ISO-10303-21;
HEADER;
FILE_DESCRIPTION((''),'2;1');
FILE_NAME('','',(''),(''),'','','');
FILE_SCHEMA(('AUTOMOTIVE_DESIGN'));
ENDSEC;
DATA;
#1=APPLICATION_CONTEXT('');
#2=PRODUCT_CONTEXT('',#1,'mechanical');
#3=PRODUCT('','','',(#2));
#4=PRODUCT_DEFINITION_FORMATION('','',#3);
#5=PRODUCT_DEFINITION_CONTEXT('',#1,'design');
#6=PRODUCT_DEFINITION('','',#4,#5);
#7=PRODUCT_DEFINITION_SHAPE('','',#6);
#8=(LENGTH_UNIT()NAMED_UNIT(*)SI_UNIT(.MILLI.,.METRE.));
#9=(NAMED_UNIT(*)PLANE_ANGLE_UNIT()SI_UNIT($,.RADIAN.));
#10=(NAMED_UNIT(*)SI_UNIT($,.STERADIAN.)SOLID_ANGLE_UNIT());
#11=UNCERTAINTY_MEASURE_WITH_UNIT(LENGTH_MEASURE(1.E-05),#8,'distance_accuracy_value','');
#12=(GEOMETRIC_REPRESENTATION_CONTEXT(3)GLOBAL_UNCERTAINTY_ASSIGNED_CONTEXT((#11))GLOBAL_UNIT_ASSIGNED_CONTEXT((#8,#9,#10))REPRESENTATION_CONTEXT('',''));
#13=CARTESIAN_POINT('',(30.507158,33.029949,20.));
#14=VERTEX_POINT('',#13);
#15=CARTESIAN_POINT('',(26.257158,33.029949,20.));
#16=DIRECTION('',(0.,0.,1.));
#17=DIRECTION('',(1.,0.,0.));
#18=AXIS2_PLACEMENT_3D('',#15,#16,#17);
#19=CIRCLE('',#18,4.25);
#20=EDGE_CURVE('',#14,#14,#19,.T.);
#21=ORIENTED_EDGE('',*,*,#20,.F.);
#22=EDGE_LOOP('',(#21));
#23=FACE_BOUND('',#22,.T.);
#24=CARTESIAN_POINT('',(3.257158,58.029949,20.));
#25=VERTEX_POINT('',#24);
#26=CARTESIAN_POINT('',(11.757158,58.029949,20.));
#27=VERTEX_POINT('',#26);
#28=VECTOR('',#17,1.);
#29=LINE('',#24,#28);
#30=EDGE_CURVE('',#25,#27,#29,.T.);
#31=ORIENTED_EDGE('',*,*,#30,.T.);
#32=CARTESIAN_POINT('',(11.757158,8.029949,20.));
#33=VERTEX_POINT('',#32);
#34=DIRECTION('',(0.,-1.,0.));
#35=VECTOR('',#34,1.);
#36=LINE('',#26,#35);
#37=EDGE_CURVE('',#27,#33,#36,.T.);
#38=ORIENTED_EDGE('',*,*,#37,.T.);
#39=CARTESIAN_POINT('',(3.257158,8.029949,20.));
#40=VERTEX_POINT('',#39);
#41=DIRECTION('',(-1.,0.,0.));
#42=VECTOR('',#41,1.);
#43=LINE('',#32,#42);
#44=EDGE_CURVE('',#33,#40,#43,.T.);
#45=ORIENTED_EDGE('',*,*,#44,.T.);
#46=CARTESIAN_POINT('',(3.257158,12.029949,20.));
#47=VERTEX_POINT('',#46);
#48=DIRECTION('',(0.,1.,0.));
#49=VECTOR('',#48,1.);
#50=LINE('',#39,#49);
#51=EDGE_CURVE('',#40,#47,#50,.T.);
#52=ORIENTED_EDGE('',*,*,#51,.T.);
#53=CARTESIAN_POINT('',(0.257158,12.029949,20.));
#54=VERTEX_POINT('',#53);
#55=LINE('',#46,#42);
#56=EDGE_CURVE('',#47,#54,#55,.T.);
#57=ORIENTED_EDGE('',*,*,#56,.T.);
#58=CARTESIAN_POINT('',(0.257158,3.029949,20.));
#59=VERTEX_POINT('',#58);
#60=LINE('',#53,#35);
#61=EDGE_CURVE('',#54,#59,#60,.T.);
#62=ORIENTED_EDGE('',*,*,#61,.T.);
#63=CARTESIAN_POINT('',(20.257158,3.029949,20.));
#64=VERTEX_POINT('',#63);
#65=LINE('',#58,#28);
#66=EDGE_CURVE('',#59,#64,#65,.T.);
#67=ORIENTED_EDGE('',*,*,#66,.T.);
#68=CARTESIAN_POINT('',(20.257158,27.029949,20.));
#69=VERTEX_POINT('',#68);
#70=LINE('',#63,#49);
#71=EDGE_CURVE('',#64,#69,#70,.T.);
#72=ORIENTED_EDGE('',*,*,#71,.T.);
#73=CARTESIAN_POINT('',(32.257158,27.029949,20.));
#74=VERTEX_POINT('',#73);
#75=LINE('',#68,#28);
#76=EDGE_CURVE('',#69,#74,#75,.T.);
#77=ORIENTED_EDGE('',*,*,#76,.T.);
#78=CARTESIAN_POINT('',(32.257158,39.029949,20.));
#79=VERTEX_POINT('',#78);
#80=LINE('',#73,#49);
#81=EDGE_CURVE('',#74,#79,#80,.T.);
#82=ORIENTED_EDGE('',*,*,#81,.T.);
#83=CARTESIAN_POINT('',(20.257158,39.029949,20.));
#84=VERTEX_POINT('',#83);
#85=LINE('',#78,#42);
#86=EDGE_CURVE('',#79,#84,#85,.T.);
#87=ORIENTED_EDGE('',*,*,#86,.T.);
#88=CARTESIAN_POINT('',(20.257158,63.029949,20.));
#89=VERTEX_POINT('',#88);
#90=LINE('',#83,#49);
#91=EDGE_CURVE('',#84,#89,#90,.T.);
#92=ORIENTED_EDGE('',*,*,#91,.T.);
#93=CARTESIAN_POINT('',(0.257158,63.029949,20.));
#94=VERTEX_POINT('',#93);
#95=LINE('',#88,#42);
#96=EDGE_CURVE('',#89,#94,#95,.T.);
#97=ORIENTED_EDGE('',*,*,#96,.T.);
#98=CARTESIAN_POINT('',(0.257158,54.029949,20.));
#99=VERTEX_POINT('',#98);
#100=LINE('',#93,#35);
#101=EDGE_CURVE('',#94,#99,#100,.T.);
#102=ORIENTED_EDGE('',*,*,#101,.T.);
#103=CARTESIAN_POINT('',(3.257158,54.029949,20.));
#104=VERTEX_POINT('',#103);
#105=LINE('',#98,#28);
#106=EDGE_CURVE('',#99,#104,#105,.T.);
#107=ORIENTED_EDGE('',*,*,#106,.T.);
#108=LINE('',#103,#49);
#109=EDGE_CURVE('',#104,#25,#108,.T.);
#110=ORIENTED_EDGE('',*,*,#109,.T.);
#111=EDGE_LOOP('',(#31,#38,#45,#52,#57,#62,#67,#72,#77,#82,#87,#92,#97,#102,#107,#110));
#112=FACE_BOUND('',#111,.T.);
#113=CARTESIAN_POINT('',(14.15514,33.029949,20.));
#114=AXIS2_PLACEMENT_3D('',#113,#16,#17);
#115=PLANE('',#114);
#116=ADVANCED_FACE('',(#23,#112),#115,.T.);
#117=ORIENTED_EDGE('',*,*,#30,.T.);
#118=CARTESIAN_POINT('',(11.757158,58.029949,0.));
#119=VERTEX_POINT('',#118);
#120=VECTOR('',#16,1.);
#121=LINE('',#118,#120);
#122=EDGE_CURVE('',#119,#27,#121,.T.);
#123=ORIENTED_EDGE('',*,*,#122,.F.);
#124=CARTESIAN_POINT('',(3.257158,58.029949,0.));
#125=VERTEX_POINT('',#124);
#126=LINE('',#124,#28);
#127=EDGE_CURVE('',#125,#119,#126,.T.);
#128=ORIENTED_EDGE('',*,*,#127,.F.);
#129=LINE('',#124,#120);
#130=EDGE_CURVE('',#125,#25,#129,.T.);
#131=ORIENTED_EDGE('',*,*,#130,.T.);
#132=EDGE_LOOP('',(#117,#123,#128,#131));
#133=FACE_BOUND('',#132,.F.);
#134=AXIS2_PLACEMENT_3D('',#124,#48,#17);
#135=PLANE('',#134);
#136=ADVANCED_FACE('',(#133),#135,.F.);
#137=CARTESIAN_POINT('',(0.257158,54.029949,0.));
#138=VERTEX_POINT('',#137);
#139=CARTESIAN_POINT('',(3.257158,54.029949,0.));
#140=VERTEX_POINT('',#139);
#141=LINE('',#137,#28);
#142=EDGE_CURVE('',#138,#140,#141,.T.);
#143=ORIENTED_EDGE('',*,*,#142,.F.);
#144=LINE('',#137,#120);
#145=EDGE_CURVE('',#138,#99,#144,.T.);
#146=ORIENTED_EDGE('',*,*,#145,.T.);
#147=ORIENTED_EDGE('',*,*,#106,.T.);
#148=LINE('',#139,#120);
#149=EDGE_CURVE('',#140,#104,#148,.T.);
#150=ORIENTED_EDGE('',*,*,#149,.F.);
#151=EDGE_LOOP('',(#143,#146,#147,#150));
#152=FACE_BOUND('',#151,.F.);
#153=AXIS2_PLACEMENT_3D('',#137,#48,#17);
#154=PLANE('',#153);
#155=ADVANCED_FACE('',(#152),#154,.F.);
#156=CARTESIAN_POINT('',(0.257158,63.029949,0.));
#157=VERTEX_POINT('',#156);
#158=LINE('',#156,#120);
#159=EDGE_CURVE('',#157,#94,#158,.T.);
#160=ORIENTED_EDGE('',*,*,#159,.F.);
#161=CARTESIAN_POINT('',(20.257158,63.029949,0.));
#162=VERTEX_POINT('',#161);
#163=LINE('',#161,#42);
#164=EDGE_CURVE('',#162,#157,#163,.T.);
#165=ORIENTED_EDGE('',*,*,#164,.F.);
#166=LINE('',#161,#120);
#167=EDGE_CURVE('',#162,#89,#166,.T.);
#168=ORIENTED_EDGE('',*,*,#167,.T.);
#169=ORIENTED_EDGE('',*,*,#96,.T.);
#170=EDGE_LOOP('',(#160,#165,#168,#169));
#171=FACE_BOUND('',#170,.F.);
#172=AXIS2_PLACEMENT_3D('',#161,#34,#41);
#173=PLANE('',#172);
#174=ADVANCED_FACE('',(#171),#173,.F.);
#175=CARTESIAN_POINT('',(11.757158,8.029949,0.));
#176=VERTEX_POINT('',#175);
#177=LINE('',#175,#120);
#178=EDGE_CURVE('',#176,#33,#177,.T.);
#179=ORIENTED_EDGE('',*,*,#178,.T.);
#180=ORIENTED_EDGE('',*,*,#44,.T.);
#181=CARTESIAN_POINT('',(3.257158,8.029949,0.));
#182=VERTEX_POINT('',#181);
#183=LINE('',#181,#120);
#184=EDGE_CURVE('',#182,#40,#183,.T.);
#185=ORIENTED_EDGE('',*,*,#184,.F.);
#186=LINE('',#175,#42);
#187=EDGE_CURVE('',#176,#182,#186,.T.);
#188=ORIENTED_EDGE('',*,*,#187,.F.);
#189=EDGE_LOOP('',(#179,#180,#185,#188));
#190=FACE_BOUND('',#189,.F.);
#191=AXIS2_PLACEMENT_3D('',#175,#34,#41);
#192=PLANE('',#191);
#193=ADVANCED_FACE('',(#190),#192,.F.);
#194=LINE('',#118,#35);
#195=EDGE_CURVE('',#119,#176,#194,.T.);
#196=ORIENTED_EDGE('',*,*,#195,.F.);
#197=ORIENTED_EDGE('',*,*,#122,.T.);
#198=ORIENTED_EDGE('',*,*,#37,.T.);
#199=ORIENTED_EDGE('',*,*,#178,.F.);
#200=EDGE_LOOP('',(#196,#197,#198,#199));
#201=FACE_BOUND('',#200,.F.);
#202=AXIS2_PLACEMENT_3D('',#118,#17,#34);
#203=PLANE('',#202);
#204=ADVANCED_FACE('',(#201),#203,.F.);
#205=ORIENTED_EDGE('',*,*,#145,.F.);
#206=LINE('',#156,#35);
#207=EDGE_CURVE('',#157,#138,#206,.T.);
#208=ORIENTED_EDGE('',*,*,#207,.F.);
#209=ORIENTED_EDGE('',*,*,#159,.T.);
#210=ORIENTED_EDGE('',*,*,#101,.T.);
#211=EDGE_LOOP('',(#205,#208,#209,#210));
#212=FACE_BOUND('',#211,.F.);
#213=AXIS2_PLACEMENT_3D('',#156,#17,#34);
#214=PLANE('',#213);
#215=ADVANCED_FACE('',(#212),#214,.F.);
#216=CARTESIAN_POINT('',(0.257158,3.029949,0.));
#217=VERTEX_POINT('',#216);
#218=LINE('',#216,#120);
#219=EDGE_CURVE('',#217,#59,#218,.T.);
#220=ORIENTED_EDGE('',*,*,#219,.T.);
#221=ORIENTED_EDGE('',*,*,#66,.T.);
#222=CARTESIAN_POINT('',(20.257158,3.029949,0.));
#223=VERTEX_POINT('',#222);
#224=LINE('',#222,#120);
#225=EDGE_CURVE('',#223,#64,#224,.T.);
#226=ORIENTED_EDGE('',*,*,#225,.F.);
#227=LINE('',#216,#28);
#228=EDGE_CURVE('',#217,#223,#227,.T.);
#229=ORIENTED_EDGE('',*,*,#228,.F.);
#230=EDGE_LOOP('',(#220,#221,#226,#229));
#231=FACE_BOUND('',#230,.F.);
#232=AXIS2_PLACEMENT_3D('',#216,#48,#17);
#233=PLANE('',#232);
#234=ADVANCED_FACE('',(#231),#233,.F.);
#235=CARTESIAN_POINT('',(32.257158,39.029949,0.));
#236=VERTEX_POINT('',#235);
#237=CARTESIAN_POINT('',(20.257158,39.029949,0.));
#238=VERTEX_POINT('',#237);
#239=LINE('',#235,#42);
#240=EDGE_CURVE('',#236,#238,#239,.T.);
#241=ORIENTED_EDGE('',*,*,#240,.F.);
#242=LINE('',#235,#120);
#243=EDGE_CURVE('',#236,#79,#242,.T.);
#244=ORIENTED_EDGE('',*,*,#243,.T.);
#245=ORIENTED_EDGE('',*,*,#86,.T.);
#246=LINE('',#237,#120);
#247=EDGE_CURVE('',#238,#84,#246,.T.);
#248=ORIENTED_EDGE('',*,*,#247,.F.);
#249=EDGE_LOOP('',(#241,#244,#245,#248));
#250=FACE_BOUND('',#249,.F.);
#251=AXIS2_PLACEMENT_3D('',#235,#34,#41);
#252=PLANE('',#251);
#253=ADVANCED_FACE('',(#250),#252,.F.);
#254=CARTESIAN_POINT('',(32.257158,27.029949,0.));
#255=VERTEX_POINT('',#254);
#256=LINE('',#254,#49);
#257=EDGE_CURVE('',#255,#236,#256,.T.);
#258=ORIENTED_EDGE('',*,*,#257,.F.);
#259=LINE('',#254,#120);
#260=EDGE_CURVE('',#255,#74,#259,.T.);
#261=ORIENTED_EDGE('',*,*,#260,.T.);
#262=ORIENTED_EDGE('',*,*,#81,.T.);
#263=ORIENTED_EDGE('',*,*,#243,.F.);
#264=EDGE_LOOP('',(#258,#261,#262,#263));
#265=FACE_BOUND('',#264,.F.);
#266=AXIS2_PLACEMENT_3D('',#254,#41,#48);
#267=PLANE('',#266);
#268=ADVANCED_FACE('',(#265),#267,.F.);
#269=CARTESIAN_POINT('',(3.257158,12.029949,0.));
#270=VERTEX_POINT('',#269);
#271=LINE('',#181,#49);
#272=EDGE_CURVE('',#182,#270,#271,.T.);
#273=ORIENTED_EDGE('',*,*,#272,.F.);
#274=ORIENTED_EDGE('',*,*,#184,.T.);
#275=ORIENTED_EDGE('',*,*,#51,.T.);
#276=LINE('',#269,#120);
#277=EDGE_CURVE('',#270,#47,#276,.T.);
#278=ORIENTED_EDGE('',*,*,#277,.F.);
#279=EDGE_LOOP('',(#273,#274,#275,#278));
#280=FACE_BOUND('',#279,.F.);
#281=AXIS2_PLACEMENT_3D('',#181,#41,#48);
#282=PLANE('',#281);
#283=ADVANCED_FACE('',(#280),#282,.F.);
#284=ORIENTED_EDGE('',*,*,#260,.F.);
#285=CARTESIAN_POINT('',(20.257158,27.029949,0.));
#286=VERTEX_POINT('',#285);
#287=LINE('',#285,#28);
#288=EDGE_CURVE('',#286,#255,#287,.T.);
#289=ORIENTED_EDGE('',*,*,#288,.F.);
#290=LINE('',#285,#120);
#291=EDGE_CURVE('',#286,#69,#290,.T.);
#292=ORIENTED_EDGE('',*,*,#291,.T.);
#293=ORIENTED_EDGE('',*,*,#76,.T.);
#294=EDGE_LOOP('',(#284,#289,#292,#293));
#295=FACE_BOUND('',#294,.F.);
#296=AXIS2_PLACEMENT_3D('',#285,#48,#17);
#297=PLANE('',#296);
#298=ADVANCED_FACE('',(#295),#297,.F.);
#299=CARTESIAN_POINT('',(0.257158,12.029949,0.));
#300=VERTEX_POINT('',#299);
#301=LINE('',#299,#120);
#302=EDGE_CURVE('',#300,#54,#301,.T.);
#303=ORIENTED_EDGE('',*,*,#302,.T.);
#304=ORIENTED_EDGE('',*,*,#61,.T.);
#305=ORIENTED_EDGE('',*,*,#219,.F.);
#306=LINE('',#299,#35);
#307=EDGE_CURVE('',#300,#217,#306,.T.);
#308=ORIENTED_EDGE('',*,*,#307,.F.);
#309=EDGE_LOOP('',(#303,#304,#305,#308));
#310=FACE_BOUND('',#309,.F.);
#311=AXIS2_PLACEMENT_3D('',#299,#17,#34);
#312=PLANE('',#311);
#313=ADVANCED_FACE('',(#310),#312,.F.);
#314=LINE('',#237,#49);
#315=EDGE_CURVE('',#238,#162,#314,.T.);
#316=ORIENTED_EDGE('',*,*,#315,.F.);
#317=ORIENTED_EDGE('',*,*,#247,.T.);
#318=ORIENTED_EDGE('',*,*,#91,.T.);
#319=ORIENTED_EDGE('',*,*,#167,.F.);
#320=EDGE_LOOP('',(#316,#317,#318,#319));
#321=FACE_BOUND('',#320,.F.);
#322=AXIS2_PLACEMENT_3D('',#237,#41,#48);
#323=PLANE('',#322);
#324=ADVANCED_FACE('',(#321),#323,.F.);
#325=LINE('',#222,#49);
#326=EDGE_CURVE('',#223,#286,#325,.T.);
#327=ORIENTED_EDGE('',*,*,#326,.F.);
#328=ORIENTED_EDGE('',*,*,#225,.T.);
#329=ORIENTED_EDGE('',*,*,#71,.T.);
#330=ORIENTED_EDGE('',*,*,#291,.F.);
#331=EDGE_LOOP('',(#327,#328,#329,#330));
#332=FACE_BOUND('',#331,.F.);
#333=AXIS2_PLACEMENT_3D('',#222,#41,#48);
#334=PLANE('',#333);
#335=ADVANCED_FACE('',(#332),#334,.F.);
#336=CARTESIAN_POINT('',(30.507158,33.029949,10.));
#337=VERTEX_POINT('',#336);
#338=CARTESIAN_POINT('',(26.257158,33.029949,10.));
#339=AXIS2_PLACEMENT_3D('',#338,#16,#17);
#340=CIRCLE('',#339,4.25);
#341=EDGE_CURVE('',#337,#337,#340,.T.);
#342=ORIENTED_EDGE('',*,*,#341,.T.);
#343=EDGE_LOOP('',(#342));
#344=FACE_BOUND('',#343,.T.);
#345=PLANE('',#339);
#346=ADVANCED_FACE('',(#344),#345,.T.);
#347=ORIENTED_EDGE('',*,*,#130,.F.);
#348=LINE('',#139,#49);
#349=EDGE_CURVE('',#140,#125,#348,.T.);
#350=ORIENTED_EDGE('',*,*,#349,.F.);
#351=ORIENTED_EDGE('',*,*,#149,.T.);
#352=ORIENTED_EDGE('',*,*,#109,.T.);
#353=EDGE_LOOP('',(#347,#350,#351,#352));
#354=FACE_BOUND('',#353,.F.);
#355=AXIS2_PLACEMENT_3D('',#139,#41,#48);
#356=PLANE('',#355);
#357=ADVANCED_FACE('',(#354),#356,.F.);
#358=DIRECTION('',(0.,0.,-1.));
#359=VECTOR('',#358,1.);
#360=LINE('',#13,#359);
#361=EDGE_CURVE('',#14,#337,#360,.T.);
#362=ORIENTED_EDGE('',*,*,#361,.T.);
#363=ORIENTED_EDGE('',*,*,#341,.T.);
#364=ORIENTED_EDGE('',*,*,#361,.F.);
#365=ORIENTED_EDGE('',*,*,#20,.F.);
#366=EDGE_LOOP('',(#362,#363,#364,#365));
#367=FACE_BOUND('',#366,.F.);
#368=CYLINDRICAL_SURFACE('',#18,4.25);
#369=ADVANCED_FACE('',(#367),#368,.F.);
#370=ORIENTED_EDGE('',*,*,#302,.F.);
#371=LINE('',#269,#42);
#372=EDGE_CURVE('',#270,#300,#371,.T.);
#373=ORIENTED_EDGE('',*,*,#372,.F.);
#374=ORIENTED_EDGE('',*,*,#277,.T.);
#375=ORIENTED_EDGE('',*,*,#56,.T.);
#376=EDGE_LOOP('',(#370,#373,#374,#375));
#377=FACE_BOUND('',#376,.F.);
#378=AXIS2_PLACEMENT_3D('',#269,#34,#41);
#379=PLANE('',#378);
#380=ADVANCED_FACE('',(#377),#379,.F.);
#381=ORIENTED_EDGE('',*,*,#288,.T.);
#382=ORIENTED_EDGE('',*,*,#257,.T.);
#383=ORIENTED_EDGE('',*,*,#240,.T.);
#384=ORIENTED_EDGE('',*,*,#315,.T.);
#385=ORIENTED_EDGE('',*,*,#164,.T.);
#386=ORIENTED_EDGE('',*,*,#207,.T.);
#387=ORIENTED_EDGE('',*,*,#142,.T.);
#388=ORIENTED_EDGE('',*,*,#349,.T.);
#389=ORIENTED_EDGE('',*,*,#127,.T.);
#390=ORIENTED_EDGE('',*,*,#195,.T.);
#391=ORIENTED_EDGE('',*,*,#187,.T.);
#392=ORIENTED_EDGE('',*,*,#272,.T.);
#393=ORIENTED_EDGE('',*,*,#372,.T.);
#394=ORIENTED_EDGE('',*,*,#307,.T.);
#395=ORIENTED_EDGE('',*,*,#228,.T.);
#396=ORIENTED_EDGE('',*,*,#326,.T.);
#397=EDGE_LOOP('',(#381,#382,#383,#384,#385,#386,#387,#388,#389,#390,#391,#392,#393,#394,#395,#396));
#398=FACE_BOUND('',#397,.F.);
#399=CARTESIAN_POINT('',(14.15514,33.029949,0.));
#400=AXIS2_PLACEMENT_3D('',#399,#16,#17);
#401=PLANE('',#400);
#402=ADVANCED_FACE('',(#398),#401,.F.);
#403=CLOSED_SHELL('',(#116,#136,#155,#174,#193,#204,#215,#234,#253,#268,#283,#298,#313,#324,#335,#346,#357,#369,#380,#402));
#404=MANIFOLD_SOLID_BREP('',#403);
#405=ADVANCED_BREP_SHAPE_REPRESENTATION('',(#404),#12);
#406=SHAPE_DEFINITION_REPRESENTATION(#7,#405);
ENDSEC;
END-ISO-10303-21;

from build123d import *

# Parameters (mm, degrees)
F1_DEPTH = 20
F2_R     = 4.25
F3_DEPTH = 10


with BuildPart() as f1:
    # F0 (on Top) → F1 (new body)
    with BuildSketch(Plane.XY):
        Polygon((3.257158, 63.029949), (0.257158, 63.029949), (0.257158, 54.029949), (3.257158, 54.029949), (3.257158, 58.029949), (11.757158, 58.029949), (11.757158, 8.029949), (3.257158, 8.029949), (3.257158, 12.029949), (0.257158, 12.029949), (0.257158, 3.029949), (3.257158, 3.029949), (20.257158, 3.029949), (20.257158, 27.029949), (32.257158, 27.029949), (32.257158, 39.029949), (20.257158, 39.029949), (20.257158, 63.029949), align=None)
    extrude(amount=F1_DEPTH)

    # F2 (on face) → F3 (cut)
    with BuildSketch(Plane.XY.offset(20)):
        with Locations((26.257158, 33.029949)):
            Circle(F2_R)
    extrude(amount=-F3_DEPTH, mode=Mode.SUBTRACT)


solid = f1.part
